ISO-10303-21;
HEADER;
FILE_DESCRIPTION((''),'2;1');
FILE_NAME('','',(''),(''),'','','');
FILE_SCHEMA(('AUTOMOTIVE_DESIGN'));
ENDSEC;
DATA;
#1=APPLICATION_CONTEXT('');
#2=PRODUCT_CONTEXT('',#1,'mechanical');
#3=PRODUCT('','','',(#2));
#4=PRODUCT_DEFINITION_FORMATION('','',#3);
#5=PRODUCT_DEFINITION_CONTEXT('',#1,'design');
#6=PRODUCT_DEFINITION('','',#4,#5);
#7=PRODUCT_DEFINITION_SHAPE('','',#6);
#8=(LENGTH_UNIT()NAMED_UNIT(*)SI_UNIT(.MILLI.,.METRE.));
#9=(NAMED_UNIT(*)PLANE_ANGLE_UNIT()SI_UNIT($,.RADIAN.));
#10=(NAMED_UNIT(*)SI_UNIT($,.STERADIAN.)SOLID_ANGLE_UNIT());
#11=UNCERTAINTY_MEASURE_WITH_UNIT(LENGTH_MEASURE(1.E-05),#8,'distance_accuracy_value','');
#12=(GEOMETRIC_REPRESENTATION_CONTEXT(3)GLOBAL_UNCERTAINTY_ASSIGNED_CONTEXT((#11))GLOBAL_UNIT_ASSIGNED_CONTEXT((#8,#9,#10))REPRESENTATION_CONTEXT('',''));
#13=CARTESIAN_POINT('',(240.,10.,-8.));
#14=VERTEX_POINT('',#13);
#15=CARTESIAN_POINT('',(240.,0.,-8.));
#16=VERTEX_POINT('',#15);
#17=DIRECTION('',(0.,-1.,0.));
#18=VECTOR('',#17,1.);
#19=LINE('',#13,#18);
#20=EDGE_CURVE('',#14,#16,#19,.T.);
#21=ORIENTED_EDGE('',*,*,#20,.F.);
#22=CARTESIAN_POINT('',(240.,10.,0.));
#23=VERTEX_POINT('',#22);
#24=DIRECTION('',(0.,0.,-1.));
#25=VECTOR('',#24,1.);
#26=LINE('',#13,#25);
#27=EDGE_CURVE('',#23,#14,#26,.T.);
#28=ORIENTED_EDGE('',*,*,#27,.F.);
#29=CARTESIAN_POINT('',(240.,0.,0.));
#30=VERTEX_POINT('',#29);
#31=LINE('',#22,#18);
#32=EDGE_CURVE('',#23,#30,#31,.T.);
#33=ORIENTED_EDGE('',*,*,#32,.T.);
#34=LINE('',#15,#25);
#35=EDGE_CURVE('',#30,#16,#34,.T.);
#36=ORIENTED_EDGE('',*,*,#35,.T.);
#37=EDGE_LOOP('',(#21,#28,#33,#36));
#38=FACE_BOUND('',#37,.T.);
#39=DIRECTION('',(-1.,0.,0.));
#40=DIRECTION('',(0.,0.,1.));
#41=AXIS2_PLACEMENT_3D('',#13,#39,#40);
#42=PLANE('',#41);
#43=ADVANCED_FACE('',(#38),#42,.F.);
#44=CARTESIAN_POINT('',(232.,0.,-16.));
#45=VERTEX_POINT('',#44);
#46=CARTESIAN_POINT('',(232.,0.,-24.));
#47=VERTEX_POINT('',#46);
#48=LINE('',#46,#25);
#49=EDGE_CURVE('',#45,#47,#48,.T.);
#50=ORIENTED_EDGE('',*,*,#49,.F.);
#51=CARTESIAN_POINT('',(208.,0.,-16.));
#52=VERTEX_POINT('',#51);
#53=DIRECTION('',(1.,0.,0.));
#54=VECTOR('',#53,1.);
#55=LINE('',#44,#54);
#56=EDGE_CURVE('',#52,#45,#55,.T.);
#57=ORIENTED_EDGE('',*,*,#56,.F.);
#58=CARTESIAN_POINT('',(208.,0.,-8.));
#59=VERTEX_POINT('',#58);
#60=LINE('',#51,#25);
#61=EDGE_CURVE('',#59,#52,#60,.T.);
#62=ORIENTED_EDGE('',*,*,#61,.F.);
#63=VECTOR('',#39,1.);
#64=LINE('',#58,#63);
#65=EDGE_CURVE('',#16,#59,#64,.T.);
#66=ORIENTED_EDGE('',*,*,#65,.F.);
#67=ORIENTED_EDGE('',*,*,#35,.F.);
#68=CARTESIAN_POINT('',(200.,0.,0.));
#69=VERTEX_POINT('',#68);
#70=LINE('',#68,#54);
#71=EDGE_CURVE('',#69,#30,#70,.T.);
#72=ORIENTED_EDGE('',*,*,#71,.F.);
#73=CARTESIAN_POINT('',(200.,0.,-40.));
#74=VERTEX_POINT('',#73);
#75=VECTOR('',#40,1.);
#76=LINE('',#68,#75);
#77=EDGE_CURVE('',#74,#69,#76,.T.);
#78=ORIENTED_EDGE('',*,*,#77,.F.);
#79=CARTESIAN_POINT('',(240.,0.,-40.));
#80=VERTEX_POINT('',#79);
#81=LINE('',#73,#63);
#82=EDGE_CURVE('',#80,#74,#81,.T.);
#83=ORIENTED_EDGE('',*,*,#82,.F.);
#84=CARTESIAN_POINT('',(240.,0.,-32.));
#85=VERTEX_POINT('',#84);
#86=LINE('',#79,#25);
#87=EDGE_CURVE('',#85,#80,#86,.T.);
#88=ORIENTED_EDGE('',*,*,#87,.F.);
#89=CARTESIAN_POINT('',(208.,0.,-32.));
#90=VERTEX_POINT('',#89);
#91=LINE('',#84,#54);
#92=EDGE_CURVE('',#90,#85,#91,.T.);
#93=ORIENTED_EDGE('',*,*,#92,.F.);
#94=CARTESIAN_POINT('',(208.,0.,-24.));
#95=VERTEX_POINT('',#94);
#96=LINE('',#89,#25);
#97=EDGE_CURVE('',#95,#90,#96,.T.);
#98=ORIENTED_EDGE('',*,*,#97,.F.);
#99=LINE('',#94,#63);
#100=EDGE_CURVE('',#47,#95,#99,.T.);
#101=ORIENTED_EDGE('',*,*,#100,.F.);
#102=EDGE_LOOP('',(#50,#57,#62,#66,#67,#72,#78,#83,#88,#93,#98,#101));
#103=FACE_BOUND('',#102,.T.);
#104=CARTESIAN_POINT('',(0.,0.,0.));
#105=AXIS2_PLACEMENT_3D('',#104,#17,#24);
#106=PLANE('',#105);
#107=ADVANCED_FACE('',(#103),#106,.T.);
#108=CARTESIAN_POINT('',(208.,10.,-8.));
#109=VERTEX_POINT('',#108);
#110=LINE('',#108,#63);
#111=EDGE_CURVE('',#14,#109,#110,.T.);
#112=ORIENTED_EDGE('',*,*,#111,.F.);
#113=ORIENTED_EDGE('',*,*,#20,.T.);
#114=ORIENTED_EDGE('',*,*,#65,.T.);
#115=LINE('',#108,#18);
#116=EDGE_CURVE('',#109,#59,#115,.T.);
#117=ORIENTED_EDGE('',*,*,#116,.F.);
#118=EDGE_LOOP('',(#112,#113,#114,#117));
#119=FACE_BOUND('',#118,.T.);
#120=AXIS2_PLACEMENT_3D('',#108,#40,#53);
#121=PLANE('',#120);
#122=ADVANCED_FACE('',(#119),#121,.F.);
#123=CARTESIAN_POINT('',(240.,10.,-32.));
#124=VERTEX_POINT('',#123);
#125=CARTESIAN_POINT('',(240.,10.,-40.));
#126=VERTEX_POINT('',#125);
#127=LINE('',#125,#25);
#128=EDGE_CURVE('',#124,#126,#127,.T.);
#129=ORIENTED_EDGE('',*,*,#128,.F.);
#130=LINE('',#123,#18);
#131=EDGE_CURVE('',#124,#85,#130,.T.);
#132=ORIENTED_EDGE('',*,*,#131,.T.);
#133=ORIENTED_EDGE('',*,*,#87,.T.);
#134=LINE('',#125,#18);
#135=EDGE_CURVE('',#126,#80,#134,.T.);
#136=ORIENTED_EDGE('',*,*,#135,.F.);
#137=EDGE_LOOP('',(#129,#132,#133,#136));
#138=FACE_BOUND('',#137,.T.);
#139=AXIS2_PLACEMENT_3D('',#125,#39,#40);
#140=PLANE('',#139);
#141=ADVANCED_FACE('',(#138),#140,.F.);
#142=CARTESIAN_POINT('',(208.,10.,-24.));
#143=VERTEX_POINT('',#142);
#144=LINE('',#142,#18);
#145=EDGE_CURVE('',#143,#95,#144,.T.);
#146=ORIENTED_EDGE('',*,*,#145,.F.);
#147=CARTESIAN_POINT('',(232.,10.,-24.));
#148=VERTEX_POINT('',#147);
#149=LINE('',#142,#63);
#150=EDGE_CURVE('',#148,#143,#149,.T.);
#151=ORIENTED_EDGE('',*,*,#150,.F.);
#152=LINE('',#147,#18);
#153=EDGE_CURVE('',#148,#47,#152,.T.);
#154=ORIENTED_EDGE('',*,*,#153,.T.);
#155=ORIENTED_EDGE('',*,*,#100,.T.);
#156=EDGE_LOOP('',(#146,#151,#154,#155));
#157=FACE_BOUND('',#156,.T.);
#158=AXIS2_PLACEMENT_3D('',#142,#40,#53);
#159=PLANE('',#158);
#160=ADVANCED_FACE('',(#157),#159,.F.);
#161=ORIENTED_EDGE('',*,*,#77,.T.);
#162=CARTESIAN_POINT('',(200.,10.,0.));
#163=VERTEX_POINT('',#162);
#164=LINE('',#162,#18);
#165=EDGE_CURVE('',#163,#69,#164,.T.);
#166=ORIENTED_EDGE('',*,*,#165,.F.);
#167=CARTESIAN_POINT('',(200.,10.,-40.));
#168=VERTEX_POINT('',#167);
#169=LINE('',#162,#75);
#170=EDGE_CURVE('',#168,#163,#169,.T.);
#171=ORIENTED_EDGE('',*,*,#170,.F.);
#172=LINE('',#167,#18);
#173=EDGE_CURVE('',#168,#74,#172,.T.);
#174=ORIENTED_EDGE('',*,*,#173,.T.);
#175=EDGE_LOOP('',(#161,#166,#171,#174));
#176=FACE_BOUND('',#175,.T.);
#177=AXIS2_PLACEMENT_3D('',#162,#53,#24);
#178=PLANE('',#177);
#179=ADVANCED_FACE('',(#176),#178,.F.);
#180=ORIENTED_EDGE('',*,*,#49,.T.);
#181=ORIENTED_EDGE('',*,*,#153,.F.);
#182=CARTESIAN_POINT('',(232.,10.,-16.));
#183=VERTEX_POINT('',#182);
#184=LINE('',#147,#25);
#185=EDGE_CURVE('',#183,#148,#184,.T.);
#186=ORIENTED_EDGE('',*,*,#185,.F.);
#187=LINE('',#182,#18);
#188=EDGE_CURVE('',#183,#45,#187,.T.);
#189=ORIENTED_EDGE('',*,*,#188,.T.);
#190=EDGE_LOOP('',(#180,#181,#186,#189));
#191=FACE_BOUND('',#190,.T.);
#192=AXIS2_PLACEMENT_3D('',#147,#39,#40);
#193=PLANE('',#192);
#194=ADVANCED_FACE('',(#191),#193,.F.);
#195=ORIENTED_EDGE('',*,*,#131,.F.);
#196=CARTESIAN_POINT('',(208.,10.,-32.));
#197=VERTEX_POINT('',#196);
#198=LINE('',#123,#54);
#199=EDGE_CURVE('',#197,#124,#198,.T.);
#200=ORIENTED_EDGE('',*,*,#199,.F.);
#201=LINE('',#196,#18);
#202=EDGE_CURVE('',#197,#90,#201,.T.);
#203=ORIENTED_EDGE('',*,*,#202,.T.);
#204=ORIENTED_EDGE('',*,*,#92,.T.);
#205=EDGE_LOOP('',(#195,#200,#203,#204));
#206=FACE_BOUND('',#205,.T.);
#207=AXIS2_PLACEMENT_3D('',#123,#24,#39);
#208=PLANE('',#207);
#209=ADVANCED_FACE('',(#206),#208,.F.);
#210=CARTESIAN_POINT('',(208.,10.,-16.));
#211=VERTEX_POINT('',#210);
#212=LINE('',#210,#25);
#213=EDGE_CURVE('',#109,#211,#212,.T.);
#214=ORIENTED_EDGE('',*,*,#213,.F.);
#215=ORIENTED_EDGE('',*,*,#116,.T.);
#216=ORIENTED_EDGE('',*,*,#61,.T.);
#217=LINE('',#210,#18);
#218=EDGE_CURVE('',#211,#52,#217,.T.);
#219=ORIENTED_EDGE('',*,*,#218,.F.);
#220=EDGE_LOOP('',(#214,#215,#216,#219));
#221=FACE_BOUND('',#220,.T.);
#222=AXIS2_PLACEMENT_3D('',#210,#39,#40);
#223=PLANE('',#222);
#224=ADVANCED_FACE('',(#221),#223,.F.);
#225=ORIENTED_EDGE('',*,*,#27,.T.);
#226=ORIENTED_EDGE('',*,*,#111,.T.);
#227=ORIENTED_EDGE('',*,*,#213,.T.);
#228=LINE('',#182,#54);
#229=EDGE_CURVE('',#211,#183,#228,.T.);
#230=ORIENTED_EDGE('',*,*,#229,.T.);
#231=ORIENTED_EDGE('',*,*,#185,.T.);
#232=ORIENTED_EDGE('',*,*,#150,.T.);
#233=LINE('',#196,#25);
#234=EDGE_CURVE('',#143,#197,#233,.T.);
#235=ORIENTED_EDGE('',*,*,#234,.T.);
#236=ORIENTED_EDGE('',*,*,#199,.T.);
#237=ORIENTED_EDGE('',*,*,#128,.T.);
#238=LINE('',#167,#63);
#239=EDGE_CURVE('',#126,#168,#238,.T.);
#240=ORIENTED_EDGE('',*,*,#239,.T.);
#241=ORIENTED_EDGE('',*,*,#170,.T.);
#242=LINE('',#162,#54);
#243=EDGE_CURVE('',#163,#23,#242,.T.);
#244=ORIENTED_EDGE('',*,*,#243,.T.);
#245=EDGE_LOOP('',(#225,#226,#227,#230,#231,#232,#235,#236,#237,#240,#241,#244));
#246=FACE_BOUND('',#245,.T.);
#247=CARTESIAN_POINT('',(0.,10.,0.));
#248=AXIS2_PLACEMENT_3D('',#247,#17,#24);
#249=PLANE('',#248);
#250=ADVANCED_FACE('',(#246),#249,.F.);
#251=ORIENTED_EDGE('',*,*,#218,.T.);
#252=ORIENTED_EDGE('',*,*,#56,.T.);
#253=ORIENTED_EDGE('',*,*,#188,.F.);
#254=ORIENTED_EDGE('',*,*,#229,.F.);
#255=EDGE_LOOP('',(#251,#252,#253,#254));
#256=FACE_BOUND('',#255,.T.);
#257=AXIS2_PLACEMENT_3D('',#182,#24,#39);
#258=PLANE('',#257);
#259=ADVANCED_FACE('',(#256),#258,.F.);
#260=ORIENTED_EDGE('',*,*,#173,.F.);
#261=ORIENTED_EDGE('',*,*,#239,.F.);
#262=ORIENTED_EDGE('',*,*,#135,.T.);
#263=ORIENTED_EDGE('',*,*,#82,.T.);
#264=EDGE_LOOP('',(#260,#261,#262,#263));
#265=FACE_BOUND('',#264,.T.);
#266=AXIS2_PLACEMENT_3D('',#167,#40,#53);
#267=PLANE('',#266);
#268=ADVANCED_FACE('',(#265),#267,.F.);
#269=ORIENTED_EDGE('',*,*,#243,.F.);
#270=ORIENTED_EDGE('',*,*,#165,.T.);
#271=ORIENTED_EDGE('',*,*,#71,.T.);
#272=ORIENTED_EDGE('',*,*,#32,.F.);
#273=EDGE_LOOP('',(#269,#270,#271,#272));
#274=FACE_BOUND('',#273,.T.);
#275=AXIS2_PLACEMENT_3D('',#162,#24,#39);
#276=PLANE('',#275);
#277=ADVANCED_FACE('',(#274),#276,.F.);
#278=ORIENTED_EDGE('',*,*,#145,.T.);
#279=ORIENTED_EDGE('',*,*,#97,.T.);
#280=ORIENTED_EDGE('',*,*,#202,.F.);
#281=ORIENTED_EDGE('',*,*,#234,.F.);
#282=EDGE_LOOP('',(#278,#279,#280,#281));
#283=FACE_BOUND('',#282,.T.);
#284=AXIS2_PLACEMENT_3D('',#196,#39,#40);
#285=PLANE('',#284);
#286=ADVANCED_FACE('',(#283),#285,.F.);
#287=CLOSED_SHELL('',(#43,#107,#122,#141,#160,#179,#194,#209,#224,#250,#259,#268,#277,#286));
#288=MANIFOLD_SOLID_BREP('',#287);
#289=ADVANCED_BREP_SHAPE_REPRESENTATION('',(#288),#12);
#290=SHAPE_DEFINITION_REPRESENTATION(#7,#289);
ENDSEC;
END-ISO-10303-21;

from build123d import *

# Parameters (mm, degrees)
BOSS_EXTRUDE1_DEPTH = 10


with BuildPart() as part:
    # Sketch1 → Boss-Extrude1 (new body)
    with BuildSketch(Plane(origin=(0, 0, 0), x_dir=(1, 0, 0), z_dir=(0, 1, 0))):
        Polygon((200, 0), (240, 0), (240, 8), (208, 8), (208, 16), (232, 16), (232, 24), (208, 24), (208, 32), (240, 32), (240, 40), (200, 40), align=None)
    extrude(amount=BOSS_EXTRUDE1_DEPTH)


solid = part.part
